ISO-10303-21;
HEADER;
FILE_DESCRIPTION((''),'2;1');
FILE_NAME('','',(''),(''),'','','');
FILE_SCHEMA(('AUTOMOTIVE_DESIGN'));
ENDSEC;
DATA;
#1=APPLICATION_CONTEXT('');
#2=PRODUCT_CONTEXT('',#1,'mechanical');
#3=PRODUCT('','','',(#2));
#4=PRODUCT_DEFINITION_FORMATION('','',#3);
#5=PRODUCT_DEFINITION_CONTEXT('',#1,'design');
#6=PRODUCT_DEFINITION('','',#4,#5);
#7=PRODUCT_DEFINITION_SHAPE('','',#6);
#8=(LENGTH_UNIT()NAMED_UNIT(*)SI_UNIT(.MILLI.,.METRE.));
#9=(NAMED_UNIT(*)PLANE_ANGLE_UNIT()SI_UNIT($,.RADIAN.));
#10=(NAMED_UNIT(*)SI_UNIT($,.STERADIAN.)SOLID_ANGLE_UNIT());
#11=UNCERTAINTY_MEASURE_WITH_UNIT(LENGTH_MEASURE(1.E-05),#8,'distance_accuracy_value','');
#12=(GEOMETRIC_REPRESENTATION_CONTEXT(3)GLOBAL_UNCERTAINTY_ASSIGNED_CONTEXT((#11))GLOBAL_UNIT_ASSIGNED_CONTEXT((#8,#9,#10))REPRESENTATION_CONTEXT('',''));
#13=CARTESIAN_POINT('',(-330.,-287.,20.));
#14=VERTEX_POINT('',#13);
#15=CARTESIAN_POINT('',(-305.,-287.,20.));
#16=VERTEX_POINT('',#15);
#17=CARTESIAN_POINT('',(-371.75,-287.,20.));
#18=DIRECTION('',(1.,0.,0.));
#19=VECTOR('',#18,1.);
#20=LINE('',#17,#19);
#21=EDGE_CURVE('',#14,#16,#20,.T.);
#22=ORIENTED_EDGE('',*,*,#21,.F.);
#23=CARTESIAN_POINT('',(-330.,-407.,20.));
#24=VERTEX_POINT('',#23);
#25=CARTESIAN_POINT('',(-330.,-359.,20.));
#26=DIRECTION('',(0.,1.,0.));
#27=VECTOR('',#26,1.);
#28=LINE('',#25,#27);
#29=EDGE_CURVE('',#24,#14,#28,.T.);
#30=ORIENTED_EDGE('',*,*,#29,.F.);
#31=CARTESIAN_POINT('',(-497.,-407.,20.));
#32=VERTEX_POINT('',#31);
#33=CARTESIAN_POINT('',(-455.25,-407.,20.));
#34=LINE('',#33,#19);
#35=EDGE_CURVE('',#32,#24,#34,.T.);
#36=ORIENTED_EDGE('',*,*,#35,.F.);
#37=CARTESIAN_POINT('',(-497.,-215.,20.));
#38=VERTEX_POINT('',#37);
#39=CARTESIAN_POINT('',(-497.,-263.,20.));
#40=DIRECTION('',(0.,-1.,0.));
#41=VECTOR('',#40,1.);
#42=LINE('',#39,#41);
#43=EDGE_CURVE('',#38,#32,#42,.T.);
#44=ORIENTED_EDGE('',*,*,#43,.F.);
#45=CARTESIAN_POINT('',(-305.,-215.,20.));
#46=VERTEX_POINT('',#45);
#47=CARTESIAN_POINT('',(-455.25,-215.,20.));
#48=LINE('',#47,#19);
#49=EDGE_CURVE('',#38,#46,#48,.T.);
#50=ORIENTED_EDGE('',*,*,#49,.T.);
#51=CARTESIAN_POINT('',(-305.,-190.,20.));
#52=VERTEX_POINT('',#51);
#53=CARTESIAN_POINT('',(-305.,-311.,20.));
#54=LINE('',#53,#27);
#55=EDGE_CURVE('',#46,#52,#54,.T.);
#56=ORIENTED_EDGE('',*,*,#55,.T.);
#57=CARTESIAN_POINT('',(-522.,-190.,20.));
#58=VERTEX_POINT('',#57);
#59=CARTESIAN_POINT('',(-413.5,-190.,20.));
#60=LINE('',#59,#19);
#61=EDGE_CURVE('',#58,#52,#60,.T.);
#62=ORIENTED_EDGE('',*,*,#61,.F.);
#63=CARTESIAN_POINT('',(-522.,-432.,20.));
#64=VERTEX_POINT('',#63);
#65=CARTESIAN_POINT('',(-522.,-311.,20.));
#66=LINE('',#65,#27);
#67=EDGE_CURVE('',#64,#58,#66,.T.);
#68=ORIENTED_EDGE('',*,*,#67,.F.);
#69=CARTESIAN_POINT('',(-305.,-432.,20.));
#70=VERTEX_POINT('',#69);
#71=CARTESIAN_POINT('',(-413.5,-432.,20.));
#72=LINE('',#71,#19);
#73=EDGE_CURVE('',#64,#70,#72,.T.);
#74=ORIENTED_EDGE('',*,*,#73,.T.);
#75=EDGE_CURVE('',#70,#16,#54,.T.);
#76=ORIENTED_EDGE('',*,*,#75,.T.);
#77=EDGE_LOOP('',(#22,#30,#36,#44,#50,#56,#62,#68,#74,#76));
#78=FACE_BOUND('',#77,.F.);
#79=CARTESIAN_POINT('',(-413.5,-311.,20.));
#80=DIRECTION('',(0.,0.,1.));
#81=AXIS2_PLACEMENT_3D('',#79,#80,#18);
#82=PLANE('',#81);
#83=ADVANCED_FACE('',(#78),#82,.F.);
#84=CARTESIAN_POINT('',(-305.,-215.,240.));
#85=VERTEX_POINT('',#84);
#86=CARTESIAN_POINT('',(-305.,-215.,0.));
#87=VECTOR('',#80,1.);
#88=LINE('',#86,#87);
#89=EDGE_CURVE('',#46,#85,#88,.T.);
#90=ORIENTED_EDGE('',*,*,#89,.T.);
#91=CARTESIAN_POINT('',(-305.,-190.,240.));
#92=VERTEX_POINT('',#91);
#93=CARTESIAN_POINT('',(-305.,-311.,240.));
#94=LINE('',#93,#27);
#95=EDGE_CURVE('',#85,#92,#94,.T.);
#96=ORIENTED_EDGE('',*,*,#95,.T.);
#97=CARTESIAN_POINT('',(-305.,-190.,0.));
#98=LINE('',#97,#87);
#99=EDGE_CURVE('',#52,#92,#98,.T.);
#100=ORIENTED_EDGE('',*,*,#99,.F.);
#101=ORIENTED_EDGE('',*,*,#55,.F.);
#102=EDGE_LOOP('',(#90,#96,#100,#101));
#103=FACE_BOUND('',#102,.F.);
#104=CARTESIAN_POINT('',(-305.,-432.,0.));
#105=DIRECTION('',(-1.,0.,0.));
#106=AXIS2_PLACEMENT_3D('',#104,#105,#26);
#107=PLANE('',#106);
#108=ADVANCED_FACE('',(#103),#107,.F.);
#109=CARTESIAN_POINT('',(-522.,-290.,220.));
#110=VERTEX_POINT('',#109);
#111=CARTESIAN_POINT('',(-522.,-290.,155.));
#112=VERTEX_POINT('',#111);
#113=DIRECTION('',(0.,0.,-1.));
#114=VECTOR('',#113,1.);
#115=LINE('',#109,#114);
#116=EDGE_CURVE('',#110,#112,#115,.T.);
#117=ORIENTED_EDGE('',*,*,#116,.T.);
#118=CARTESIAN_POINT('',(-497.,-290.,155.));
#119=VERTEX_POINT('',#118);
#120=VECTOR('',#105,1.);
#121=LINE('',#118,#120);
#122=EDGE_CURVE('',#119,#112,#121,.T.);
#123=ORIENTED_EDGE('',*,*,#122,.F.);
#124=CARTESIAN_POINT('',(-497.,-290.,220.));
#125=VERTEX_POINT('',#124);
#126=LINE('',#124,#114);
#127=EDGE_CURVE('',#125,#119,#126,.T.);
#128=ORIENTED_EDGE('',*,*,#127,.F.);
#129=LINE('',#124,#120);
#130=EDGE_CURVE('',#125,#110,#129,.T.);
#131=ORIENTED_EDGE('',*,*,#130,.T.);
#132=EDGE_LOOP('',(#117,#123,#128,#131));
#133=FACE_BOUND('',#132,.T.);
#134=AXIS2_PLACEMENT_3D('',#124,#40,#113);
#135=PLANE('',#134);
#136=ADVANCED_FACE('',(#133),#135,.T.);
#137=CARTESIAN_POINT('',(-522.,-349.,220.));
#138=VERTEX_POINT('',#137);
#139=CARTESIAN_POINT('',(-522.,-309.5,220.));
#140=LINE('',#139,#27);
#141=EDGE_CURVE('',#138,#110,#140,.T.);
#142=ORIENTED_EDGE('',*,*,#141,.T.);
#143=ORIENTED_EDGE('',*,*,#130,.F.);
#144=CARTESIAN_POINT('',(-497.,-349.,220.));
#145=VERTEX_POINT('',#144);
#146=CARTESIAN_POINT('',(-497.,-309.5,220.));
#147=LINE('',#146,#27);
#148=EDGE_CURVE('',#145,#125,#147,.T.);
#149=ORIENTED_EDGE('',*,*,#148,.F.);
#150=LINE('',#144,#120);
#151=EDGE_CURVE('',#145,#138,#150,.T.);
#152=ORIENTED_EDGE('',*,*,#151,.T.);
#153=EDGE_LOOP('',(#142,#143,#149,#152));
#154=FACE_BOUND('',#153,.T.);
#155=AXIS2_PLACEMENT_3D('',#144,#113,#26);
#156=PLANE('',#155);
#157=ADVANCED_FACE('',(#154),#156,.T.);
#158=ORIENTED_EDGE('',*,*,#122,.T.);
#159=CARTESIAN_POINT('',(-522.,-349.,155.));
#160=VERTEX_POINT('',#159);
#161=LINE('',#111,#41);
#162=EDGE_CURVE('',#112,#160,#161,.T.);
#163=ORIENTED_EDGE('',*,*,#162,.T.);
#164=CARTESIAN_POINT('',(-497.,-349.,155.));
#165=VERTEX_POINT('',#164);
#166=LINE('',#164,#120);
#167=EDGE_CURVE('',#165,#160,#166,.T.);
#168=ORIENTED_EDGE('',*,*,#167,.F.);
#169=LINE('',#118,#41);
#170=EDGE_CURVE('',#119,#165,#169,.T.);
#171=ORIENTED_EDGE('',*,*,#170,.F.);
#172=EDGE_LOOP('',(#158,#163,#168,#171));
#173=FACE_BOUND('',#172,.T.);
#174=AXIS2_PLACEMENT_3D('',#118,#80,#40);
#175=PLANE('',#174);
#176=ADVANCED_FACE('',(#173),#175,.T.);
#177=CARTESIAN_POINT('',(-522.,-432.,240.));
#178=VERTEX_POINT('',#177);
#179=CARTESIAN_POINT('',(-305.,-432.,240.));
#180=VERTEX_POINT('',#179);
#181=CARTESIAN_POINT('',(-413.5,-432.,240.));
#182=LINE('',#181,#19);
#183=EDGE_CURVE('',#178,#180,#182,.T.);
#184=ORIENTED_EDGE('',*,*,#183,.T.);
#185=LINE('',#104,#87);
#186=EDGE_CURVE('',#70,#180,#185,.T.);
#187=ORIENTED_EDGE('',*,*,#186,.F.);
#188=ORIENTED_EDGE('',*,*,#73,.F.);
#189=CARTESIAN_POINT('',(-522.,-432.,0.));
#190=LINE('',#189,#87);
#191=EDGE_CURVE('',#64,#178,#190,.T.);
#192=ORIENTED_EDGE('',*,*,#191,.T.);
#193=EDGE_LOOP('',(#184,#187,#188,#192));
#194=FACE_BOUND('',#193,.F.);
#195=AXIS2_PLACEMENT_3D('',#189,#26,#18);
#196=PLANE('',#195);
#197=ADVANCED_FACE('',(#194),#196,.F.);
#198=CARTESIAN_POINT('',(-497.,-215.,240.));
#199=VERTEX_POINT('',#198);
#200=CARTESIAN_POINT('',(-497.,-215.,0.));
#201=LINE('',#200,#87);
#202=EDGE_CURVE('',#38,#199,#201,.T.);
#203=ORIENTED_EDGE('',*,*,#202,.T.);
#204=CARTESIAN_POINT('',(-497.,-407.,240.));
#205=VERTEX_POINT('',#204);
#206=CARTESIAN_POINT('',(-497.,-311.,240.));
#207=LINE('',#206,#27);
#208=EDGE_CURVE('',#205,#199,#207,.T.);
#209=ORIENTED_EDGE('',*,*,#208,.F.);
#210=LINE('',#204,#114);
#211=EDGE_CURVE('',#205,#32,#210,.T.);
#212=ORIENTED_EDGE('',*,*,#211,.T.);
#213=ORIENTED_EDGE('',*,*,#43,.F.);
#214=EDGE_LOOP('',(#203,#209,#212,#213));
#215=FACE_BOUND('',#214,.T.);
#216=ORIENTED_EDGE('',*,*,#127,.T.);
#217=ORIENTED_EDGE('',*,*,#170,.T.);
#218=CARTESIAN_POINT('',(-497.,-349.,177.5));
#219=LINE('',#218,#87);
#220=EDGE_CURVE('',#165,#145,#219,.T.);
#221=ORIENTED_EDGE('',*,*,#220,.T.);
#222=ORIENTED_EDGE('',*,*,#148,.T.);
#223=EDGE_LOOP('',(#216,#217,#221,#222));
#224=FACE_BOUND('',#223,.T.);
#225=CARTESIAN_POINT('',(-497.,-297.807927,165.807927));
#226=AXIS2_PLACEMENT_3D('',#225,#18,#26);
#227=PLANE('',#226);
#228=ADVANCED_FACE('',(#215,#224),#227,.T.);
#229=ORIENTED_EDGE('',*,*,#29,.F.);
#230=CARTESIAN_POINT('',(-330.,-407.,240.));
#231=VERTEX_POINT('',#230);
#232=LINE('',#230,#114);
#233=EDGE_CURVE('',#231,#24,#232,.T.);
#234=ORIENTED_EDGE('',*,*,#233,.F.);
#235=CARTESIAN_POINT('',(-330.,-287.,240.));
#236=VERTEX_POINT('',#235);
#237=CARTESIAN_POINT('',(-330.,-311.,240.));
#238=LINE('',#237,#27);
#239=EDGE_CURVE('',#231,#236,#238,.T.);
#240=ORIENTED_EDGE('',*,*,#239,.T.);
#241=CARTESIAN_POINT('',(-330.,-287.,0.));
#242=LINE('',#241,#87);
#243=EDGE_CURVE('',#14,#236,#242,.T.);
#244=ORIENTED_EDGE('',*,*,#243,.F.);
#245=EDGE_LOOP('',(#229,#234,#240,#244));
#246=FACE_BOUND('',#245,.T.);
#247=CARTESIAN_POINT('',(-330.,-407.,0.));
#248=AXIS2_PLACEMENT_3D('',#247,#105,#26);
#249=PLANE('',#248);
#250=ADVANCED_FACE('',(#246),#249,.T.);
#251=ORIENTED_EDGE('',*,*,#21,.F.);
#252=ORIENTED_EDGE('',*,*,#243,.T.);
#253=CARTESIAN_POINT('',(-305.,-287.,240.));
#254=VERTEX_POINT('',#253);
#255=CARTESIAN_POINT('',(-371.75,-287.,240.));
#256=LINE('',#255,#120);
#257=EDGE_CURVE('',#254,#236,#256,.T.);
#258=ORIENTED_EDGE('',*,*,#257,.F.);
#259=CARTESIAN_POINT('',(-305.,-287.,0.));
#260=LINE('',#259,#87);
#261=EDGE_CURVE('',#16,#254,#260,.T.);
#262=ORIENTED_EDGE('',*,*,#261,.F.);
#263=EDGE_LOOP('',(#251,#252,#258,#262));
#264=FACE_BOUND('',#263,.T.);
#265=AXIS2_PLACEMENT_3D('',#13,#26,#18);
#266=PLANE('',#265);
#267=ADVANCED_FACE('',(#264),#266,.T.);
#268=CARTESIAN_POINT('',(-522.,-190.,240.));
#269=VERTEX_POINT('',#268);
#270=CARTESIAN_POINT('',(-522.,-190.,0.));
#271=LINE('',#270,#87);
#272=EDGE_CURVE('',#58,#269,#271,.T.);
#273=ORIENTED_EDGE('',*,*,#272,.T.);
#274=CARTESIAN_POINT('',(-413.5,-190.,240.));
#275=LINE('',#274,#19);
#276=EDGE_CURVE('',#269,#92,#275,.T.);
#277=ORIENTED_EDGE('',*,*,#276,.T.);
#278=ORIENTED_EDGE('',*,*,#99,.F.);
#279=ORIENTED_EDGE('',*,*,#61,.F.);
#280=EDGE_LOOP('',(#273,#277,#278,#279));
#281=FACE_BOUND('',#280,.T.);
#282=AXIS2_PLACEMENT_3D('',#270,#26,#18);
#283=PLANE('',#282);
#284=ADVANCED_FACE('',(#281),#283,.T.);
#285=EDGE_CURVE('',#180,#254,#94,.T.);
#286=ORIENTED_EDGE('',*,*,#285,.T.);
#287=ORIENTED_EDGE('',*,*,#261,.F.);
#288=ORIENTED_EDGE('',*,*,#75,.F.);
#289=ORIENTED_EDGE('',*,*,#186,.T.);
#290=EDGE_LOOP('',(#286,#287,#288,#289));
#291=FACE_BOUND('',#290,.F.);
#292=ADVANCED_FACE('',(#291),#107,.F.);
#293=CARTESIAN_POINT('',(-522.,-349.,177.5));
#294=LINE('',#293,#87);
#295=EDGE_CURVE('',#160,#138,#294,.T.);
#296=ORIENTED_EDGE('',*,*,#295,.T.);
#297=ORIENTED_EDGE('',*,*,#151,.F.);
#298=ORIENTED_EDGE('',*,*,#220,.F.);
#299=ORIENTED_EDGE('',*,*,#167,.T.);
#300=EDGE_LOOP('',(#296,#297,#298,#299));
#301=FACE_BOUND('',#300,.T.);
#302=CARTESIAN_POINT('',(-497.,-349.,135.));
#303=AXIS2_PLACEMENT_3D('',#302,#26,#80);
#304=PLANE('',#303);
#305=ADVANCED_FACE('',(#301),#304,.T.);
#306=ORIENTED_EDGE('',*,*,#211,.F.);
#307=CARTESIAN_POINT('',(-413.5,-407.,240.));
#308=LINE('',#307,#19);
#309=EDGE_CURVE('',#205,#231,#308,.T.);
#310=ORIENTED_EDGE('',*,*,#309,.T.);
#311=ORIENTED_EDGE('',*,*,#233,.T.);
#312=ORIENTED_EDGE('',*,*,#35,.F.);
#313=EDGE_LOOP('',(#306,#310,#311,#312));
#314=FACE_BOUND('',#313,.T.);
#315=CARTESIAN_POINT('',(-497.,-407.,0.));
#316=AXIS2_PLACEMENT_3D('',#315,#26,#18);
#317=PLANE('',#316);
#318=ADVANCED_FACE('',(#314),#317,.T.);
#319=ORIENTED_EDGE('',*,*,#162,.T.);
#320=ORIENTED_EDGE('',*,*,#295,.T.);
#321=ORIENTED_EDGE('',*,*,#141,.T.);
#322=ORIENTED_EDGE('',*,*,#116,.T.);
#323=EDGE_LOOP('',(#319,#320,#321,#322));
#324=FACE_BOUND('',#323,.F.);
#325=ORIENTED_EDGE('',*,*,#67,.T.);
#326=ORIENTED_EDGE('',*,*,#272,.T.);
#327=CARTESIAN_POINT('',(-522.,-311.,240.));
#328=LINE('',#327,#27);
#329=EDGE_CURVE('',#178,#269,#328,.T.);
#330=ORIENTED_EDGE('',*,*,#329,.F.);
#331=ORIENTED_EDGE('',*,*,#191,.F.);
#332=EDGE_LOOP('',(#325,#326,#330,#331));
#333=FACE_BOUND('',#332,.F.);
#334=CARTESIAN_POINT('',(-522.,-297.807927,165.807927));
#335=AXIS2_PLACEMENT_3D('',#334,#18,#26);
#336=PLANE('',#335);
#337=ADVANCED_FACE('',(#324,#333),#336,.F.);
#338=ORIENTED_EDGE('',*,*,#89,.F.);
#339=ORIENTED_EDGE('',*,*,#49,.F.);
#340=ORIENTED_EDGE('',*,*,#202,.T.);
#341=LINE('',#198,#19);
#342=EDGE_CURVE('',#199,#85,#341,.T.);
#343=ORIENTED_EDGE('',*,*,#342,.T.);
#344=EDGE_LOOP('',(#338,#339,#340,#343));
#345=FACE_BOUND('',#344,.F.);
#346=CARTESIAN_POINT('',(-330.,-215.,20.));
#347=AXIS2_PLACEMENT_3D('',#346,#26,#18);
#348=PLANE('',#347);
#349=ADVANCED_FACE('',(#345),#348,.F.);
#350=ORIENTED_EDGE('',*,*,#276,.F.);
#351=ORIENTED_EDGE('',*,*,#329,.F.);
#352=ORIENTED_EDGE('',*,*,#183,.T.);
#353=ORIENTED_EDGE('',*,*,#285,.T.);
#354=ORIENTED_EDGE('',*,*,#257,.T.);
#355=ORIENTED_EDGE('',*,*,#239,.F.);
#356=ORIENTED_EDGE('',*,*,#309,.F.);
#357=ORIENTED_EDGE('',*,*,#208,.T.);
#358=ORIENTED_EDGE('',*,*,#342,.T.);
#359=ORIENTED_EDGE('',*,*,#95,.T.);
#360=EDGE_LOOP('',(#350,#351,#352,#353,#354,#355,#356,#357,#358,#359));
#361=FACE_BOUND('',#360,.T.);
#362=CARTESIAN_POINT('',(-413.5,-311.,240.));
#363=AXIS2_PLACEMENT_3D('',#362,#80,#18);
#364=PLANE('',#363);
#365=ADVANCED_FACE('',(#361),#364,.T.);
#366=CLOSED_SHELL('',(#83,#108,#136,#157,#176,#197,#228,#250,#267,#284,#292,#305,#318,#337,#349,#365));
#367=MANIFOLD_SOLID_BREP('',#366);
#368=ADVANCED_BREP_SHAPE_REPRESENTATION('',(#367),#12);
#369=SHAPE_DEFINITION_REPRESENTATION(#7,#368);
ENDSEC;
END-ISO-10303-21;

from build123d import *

# Parameters (mm, degrees)
F2_DEPTH  = 20
F3_W      = 217
F3_H      = 242
F3_W_2    = 167
F3_H_2    = 192
F4_DEPTH  = 240
F5_W      = 48
F5_H      = 72
F6_DEPTH  = 250
F7_W      = 79
F7_H      = 85
F8_DEPTH  = 25
F10_DEPTH = 25
F11_DEPTH = 25
F12_DEPTH = 20


with BuildPart() as f2:
    # F1 (on face) → F2 (new body)
    with BuildSketch(Plane.XY):
        Polygon((-497, -215), (-497, -231), (-497, -293), (-497, -407), (-330, -407), (-330, -287), (-330, -215), align=None)
    extrude(amount=F2_DEPTH)

    # F3 (on face) → F4 (join)
    with BuildSketch(Plane.XY):
        with Locations((-413.5, -311)):
            Rectangle(F3_W, F3_H)
        with Locations((-413.5, -311)):
            Rectangle(F3_W_2, F3_H_2, mode=Mode.SUBTRACT)
    extrude(amount=F4_DEPTH)

    # F5 (on face) → F6 (cut)
    with BuildSketch(Plane.XY.offset(20)):
        with Locations((-306, -251)):
            Rectangle(F5_W, F5_H)
    extrude(amount=F6_DEPTH, mode=Mode.SUBTRACT)

    # F7 (on face) → F8 (cut)
    with BuildSketch(Plane.YZ.offset(-497)):
        with Locations((-309.5, 177.5)):
            Rectangle(F7_W, F7_H)
    extrude(amount=-F8_DEPTH, mode=Mode.SUBTRACT)

    # F9 (on face) → F10 (join, through all)
    with BuildSketch(Plane.YZ.offset(-497)):
        Polygon((-270, 135), (-270, 220), (-290, 220), (-290, 155), (-349, 155), (-349, 135), align=None)
    extrude(amount=-F10_DEPTH)

    # F11 (cut): a face of the model
    f11_faces = [f2.faces().sort_by_distance(p)[0] for p in [
        (-408.3972360028, -307.8107725018, 20),
    ]]
    extrude(f11_faces, amount=-F11_DEPTH, mode=Mode.SUBTRACT)

    # F12 (cut): a face of the model
    f12_faces = [f2.faces().sort_by_distance(p)[0] for p in [
        (-308.2504307407, -202.5, 0),
    ]]
    extrude(f12_faces, amount=-F12_DEPTH, mode=Mode.SUBTRACT)


solid = f2.part
